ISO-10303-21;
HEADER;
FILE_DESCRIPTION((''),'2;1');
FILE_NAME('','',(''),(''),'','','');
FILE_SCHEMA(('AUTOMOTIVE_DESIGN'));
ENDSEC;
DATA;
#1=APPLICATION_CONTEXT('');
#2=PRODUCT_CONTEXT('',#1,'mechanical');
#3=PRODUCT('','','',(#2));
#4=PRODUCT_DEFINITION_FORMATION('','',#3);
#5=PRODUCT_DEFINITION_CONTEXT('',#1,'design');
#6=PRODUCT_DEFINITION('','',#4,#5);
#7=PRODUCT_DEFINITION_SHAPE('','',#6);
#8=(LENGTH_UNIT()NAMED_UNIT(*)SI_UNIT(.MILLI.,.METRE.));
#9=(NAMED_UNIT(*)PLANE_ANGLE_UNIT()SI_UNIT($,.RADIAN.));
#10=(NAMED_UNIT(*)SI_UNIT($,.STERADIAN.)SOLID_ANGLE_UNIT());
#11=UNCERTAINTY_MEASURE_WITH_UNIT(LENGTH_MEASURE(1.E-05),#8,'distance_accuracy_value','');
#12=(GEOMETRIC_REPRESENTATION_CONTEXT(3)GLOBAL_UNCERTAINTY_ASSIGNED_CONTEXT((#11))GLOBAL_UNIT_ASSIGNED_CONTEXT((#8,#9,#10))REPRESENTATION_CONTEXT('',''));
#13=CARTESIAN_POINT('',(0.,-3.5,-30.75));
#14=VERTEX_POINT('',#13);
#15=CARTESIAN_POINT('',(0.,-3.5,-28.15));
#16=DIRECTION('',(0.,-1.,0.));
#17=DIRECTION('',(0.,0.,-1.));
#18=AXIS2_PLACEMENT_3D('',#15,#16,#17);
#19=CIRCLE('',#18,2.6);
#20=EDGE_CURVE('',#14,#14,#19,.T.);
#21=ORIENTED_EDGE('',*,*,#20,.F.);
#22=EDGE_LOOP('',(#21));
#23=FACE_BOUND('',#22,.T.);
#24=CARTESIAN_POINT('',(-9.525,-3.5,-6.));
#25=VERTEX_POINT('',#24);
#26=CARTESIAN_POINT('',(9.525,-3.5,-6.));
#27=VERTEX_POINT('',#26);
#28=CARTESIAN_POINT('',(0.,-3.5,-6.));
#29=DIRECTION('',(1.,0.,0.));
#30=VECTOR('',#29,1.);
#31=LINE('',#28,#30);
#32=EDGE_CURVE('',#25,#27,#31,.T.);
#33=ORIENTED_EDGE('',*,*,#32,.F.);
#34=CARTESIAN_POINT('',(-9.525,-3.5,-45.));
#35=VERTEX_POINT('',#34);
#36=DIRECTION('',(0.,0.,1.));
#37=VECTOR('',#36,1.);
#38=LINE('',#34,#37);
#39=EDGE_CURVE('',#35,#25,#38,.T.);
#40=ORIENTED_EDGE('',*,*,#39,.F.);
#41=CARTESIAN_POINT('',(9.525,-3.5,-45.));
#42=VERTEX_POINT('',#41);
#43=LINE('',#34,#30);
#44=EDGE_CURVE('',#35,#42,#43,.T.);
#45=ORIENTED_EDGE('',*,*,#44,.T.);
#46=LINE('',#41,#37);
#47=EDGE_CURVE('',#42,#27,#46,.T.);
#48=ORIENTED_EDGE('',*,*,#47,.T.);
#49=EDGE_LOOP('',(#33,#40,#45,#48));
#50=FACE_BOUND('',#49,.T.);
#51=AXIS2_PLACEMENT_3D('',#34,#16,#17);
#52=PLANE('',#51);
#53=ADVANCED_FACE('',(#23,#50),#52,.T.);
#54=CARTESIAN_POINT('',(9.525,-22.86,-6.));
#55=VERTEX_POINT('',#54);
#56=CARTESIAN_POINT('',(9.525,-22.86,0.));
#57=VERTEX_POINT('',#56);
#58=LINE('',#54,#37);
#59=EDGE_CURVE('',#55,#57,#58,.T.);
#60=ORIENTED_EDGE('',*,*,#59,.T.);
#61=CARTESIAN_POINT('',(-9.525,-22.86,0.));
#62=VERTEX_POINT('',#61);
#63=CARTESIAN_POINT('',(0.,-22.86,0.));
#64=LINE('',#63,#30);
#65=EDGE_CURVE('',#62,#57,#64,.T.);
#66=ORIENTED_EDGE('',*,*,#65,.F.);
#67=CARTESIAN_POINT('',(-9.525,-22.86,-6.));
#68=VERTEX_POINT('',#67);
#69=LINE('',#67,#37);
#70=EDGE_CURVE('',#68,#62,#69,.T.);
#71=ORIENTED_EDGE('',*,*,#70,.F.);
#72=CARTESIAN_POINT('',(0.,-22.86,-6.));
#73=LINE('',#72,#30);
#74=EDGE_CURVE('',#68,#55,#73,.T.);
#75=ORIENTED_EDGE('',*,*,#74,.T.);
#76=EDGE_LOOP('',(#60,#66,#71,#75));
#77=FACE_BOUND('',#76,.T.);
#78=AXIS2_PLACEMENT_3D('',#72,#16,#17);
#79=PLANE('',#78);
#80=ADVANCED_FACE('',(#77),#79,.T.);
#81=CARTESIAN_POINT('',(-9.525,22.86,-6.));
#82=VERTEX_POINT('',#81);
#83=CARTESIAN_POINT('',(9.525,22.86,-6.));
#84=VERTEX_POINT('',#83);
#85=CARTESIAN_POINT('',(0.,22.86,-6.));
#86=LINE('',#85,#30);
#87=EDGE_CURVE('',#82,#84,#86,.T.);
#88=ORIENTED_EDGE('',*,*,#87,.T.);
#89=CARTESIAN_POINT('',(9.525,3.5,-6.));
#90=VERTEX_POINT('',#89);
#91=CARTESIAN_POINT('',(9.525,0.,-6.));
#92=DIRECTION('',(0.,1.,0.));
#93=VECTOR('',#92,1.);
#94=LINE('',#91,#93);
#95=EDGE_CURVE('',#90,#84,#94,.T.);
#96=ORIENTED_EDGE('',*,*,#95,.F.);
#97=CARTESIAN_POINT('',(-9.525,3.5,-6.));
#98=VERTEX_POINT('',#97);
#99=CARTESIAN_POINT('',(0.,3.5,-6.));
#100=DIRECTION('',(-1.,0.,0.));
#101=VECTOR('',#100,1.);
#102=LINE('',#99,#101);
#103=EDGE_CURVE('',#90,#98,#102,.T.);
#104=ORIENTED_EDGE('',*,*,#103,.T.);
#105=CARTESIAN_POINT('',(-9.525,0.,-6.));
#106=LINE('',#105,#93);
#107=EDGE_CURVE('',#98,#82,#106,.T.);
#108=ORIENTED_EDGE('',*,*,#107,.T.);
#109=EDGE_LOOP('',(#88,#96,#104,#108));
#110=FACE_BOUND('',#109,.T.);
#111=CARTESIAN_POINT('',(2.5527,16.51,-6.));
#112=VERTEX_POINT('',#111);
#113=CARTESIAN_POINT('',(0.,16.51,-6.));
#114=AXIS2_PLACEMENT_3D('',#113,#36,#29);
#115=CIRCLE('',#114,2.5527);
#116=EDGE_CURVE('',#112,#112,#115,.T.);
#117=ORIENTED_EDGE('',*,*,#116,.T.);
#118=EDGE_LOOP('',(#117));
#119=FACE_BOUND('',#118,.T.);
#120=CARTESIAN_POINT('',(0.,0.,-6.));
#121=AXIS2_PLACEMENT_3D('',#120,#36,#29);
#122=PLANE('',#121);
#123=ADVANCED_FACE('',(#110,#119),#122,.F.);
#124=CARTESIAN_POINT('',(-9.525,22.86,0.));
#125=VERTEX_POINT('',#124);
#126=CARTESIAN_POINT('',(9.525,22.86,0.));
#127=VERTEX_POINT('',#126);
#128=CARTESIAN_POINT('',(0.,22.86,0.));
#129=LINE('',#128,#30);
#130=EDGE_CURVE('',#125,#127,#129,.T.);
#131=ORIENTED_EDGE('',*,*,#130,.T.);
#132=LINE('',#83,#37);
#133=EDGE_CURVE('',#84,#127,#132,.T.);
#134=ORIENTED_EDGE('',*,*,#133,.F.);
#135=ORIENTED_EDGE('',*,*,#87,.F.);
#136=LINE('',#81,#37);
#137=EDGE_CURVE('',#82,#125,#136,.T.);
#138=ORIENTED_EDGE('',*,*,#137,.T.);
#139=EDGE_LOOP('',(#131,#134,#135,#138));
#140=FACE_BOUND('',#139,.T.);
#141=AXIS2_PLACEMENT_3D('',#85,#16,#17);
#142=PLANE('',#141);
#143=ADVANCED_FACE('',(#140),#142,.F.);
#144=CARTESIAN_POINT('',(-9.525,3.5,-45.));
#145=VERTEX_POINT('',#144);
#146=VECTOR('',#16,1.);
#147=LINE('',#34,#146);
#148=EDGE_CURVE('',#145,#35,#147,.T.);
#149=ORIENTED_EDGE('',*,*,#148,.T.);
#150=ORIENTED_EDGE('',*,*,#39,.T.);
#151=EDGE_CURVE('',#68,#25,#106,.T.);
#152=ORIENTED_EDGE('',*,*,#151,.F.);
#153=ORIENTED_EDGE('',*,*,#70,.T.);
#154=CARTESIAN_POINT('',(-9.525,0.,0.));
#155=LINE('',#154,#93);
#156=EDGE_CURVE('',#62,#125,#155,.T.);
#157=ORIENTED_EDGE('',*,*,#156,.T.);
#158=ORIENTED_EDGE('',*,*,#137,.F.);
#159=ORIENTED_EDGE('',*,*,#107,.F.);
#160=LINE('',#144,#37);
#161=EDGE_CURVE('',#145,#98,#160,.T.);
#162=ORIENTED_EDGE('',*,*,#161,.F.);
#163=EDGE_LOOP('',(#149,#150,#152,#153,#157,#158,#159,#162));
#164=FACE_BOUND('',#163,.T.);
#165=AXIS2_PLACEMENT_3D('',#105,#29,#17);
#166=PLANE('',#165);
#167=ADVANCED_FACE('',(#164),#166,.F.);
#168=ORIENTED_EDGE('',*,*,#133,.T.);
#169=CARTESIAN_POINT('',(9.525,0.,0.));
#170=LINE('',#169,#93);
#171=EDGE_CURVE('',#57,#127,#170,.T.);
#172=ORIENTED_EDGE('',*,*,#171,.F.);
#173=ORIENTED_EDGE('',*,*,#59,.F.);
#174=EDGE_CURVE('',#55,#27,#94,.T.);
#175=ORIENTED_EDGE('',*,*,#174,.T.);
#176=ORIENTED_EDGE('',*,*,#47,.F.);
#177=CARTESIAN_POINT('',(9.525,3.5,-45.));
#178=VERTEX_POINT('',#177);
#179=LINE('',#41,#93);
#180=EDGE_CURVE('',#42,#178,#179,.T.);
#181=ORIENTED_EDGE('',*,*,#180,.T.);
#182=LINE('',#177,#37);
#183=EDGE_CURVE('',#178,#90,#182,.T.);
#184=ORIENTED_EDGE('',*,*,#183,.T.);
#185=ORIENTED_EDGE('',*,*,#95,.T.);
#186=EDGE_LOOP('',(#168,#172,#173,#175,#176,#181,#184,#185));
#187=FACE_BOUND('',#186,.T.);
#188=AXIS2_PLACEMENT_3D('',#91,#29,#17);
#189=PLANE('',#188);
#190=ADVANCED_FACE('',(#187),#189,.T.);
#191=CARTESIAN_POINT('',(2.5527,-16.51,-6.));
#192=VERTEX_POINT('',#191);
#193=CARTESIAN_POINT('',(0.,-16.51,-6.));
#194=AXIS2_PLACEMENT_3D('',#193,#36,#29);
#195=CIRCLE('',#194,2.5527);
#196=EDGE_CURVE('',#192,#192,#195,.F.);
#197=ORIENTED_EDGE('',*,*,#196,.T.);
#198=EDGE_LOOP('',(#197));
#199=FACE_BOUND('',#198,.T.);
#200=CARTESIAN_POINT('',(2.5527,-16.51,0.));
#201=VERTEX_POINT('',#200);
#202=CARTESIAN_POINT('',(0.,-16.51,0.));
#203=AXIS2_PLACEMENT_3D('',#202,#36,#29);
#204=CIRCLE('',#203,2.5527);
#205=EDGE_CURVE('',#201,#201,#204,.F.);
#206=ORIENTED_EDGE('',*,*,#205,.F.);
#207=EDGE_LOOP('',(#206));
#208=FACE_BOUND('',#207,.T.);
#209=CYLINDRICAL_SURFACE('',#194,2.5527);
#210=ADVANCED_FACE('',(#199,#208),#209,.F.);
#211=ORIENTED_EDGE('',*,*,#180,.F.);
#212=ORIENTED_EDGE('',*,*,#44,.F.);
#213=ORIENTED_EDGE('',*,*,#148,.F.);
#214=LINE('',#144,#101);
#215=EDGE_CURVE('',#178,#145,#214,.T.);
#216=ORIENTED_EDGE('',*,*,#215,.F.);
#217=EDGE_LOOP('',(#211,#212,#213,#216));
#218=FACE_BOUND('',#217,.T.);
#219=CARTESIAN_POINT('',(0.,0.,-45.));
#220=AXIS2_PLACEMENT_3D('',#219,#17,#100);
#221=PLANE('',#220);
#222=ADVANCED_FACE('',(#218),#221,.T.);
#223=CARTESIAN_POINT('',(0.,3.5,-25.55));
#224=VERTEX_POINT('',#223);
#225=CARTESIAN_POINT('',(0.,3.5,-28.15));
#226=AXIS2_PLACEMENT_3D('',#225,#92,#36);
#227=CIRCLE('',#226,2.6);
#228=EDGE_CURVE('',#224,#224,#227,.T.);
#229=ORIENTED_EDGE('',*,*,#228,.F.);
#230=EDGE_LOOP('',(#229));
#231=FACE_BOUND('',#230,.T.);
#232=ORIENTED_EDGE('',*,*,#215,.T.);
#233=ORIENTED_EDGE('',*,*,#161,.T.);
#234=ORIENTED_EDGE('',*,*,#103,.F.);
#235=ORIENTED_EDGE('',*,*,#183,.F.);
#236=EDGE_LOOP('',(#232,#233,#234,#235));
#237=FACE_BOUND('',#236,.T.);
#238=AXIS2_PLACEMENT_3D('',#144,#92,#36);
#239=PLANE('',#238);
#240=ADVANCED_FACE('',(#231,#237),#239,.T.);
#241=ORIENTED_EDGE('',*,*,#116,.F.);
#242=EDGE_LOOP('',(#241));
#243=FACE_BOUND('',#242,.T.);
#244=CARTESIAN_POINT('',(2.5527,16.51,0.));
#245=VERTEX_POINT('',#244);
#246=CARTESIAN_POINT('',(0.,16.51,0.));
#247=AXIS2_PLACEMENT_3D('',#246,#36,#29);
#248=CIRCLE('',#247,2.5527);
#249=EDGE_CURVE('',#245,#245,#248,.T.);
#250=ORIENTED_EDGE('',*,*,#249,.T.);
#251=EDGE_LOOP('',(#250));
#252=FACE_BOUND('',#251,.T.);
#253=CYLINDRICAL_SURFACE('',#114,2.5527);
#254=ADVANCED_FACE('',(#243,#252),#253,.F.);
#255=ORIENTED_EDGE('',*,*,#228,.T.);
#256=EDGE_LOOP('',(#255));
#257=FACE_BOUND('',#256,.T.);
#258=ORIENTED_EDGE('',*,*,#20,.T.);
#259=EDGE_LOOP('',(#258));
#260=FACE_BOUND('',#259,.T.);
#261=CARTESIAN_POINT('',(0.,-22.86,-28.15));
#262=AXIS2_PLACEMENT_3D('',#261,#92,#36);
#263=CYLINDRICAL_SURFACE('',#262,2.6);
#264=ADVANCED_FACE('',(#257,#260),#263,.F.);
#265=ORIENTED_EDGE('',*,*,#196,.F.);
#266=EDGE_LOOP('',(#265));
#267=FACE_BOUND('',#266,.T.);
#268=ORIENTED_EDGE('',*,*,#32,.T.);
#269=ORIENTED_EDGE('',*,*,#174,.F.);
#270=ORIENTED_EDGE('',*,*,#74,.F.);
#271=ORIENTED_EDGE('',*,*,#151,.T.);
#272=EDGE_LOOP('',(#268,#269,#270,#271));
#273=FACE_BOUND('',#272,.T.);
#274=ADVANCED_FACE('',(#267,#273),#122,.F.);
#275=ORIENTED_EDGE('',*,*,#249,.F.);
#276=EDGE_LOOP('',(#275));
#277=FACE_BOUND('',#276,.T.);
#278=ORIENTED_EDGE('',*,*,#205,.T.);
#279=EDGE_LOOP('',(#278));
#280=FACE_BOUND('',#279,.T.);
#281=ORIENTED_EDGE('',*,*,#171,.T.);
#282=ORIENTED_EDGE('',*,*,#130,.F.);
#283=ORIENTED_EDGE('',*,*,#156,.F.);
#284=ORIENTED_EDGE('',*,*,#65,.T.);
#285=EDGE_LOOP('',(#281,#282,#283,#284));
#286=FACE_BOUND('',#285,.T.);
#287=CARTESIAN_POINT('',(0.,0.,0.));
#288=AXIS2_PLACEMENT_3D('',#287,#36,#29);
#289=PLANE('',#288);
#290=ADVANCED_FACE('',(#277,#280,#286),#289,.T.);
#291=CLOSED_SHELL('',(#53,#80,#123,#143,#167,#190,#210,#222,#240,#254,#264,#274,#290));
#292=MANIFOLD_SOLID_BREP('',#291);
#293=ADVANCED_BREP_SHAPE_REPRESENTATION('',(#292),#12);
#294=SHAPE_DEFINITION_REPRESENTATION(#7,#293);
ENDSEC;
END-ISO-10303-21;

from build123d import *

# Parameters (mm, degrees)
SKETCH1_W           = 19.05
SKETCH1_H           = 19.36
SKETCH1_R           = 2.5527
SKETCH1_H_2         = 7
BOSS_EXTRUDE1_DEPTH = 6
SKETCH3_W           = 19.05
SKETCH3_H           = 7
BOSS_EXTRUDE2_DEPTH = 45
SKETCH4_R           = 2.6
CUT_EXTRUDE1_DEPTH  = 27.36


with BuildPart() as part:
    # Sketch1 → Boss-Extrude1 (new body)
    with BuildSketch(Plane.XY):
        with Locations((0, 13.18)):
            Rectangle(SKETCH1_W, SKETCH1_H)
        with Locations((0, 16.51)):
            Circle(SKETCH1_R, mode=Mode.SUBTRACT)
        with Locations((0, -13.18)):
            Rectangle(SKETCH1_W, SKETCH1_H)
        with Locations((0, -16.51)):
            Circle(SKETCH1_R, mode=Mode.SUBTRACT)
        Rectangle(SKETCH1_W, SKETCH1_H_2)
    extrude(amount=-BOSS_EXTRUDE1_DEPTH)

    # Sketch3 → Boss-Extrude2 (add)
    with BuildSketch(Plane.XY):
        Rectangle(SKETCH3_W, SKETCH3_H)
    extrude(amount=-BOSS_EXTRUDE2_DEPTH)

    # Sketch4 → Cut-Extrude1 (cut, through all)
    with BuildSketch(Plane(origin=(0, 3.5, 0), x_dir=(1, 0, 0), z_dir=(0, 1, 0))):
        with Locations((0, 28.15)):
            Circle(SKETCH4_R)
    extrude(amount=-CUT_EXTRUDE1_DEPTH, mode=Mode.SUBTRACT)


solid = part.part
